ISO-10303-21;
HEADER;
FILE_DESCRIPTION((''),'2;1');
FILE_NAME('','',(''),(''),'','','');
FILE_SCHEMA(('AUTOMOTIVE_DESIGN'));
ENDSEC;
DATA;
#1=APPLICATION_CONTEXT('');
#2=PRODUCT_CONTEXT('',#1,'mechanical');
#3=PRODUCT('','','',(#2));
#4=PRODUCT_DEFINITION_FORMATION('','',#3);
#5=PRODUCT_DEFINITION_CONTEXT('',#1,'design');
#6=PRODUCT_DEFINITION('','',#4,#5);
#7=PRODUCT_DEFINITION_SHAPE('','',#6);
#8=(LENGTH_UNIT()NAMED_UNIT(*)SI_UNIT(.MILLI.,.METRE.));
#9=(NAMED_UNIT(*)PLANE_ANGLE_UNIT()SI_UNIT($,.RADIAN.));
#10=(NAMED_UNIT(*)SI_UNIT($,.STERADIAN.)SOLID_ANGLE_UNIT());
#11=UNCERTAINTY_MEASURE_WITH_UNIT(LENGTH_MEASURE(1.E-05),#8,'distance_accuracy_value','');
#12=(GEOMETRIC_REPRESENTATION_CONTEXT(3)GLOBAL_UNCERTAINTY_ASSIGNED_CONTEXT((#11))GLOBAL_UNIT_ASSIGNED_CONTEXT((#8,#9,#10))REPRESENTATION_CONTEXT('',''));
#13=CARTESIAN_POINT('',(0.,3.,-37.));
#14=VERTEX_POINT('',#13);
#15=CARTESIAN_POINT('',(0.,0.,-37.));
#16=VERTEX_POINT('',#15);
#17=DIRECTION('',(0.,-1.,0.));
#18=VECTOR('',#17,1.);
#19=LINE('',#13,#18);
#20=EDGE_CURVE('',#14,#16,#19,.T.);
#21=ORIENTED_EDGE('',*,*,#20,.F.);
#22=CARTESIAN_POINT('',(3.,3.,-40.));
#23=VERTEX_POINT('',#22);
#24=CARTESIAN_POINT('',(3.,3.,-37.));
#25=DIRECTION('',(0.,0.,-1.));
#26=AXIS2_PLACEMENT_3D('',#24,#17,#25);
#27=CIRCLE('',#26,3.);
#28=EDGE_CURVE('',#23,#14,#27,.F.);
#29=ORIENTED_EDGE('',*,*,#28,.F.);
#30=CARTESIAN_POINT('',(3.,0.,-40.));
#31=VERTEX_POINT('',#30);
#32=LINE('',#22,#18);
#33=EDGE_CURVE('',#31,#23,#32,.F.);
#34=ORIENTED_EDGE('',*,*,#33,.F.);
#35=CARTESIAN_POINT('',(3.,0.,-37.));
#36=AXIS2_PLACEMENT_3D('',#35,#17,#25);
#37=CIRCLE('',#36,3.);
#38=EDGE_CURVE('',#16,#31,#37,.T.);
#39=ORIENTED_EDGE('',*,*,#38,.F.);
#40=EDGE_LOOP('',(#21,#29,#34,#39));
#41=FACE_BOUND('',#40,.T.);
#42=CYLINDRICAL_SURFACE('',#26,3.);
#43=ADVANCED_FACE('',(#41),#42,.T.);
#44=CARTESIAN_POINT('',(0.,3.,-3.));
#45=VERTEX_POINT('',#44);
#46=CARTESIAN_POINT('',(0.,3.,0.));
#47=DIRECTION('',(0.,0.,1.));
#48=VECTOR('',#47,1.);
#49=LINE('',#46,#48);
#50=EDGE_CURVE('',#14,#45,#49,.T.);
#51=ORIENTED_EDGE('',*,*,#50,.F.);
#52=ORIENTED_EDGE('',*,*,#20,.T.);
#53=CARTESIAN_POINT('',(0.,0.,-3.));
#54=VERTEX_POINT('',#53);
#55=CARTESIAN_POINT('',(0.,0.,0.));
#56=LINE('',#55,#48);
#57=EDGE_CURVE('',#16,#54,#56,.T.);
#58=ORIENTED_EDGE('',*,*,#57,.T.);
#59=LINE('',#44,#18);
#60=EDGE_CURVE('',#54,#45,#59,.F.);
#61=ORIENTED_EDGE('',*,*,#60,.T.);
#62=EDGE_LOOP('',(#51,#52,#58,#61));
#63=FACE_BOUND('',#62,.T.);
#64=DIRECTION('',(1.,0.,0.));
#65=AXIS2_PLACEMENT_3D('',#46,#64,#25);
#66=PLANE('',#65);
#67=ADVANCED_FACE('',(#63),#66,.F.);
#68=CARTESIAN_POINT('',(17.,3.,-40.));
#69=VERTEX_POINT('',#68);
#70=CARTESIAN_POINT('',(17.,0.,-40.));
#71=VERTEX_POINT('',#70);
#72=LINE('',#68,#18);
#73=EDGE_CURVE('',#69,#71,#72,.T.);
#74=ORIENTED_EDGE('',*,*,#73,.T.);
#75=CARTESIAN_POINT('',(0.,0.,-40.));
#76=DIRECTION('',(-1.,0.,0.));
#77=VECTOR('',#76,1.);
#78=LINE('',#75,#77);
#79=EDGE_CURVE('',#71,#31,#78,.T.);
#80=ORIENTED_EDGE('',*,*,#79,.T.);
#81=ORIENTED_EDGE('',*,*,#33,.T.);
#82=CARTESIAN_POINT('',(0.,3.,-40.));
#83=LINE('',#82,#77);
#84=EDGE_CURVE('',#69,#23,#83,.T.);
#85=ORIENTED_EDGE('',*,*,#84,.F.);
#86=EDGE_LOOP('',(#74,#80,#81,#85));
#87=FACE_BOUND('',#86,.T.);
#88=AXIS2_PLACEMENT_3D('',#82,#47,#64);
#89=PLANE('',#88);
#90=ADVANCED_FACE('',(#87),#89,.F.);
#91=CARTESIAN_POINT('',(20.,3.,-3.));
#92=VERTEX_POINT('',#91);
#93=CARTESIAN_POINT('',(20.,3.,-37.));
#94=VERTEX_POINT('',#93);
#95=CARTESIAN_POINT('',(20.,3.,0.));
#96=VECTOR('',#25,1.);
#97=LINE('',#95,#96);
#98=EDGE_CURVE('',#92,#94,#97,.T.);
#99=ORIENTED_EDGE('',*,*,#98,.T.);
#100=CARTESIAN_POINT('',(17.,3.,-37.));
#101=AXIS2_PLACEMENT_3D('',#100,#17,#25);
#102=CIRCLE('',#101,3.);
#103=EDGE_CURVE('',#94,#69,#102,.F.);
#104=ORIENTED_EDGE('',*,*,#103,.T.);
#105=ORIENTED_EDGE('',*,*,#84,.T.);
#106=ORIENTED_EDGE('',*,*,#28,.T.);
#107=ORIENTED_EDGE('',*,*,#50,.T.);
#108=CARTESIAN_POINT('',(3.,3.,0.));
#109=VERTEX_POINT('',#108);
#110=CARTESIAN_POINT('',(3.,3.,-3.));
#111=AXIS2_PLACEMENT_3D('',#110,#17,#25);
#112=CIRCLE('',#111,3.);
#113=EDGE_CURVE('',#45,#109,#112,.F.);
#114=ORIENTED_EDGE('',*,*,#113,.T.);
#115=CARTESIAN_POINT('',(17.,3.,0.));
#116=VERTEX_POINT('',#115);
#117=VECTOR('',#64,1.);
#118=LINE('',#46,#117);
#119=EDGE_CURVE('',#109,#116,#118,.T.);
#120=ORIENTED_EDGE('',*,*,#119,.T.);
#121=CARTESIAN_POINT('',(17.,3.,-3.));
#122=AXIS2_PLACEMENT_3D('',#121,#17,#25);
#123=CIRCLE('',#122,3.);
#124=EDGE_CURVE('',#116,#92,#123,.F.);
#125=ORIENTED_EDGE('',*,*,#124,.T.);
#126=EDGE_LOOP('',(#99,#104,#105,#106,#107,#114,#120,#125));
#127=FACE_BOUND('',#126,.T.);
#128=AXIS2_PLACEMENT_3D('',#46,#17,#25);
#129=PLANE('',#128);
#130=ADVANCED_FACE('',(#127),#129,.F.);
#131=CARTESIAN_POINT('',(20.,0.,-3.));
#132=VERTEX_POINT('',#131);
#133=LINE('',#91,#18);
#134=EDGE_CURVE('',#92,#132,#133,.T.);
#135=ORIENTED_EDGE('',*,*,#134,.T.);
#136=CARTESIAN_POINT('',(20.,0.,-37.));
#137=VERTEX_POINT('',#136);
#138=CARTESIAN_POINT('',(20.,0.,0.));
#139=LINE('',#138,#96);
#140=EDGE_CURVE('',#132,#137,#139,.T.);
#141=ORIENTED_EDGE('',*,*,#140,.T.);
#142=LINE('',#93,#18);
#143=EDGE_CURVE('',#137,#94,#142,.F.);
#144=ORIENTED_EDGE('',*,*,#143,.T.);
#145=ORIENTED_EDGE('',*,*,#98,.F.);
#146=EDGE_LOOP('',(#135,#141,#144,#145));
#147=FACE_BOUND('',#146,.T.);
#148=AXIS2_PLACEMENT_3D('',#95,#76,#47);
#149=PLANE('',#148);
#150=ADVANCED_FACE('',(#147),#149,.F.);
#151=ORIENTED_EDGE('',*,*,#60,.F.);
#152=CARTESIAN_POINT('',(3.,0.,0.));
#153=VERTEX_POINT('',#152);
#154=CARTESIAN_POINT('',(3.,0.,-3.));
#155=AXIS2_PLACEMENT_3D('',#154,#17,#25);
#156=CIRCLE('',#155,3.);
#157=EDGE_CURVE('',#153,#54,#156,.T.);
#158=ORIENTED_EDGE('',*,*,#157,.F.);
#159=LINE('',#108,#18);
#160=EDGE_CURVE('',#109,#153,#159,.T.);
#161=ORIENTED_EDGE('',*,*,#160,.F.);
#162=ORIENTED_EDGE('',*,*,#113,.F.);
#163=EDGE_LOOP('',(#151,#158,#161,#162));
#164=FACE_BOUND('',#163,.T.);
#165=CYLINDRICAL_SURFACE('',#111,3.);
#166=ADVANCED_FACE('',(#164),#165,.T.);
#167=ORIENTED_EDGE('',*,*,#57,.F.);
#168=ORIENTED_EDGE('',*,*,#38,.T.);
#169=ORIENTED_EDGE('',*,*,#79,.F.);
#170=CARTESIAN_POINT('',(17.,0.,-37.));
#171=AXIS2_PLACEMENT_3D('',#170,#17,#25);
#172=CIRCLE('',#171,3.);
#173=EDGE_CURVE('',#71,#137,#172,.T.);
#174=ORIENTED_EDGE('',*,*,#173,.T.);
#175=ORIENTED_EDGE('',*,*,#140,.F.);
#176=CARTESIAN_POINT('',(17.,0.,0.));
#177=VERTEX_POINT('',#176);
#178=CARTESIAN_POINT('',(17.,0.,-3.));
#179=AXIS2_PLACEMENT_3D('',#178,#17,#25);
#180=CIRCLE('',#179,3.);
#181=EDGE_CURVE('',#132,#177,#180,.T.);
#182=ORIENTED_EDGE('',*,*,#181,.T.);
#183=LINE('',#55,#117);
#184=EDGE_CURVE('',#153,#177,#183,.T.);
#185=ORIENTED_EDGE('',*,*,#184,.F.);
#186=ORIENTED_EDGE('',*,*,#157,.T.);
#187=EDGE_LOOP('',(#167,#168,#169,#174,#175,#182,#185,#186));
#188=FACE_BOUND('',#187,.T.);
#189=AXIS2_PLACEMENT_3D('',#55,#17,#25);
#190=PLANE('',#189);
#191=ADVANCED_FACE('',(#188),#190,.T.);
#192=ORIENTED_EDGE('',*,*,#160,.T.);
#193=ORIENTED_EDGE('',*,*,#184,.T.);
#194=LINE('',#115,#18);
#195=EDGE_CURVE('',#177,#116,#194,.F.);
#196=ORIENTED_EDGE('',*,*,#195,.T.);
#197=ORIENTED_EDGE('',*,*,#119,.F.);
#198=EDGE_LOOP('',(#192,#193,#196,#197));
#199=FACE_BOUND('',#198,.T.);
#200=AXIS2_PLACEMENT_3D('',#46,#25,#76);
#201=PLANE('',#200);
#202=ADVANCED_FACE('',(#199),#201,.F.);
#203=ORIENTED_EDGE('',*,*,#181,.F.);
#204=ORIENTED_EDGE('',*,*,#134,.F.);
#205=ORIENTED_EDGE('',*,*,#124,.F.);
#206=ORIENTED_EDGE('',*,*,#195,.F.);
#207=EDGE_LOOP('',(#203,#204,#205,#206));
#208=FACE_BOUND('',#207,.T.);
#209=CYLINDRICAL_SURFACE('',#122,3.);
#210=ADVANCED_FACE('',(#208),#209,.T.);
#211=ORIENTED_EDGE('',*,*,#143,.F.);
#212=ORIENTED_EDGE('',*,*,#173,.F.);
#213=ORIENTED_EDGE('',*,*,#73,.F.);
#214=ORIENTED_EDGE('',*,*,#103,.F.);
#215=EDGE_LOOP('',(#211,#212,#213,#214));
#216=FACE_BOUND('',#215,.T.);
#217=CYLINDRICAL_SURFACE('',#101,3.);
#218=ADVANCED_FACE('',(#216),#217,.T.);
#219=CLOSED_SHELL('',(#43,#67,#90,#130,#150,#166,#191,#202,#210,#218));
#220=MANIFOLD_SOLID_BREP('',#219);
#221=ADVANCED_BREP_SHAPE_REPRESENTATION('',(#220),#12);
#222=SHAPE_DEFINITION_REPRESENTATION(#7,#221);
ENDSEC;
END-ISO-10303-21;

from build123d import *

# Parameters (mm, degrees)
SKETCH_1_W      = 20
SKETCH_1_H      = 40
EXTRUDE_1_DEPTH = 3
FILLET_1_R      = 3


with BuildPart() as part:
    # 草图1 → 凸台-拉伸1 (new body)
    with BuildSketch(Plane(origin=(0, 0, 0), x_dir=(1, 0, 0), z_dir=(0, 1, 0))):
        with Locations((10, 20)):
            Rectangle(SKETCH_1_W, SKETCH_1_H)
    extrude(amount=EXTRUDE_1_DEPTH)

    # 圆角1
    fillet_1_edges = [part.edges().sort_by_distance(p)[0] for p in [
        (0, 1.5, -40),
        (20, 1.5, -40),
        (20, 1.5, 0),
        (0, 1.5, 0),
    ]]
    fillet(fillet_1_edges, radius=FILLET_1_R)


solid = part.part
